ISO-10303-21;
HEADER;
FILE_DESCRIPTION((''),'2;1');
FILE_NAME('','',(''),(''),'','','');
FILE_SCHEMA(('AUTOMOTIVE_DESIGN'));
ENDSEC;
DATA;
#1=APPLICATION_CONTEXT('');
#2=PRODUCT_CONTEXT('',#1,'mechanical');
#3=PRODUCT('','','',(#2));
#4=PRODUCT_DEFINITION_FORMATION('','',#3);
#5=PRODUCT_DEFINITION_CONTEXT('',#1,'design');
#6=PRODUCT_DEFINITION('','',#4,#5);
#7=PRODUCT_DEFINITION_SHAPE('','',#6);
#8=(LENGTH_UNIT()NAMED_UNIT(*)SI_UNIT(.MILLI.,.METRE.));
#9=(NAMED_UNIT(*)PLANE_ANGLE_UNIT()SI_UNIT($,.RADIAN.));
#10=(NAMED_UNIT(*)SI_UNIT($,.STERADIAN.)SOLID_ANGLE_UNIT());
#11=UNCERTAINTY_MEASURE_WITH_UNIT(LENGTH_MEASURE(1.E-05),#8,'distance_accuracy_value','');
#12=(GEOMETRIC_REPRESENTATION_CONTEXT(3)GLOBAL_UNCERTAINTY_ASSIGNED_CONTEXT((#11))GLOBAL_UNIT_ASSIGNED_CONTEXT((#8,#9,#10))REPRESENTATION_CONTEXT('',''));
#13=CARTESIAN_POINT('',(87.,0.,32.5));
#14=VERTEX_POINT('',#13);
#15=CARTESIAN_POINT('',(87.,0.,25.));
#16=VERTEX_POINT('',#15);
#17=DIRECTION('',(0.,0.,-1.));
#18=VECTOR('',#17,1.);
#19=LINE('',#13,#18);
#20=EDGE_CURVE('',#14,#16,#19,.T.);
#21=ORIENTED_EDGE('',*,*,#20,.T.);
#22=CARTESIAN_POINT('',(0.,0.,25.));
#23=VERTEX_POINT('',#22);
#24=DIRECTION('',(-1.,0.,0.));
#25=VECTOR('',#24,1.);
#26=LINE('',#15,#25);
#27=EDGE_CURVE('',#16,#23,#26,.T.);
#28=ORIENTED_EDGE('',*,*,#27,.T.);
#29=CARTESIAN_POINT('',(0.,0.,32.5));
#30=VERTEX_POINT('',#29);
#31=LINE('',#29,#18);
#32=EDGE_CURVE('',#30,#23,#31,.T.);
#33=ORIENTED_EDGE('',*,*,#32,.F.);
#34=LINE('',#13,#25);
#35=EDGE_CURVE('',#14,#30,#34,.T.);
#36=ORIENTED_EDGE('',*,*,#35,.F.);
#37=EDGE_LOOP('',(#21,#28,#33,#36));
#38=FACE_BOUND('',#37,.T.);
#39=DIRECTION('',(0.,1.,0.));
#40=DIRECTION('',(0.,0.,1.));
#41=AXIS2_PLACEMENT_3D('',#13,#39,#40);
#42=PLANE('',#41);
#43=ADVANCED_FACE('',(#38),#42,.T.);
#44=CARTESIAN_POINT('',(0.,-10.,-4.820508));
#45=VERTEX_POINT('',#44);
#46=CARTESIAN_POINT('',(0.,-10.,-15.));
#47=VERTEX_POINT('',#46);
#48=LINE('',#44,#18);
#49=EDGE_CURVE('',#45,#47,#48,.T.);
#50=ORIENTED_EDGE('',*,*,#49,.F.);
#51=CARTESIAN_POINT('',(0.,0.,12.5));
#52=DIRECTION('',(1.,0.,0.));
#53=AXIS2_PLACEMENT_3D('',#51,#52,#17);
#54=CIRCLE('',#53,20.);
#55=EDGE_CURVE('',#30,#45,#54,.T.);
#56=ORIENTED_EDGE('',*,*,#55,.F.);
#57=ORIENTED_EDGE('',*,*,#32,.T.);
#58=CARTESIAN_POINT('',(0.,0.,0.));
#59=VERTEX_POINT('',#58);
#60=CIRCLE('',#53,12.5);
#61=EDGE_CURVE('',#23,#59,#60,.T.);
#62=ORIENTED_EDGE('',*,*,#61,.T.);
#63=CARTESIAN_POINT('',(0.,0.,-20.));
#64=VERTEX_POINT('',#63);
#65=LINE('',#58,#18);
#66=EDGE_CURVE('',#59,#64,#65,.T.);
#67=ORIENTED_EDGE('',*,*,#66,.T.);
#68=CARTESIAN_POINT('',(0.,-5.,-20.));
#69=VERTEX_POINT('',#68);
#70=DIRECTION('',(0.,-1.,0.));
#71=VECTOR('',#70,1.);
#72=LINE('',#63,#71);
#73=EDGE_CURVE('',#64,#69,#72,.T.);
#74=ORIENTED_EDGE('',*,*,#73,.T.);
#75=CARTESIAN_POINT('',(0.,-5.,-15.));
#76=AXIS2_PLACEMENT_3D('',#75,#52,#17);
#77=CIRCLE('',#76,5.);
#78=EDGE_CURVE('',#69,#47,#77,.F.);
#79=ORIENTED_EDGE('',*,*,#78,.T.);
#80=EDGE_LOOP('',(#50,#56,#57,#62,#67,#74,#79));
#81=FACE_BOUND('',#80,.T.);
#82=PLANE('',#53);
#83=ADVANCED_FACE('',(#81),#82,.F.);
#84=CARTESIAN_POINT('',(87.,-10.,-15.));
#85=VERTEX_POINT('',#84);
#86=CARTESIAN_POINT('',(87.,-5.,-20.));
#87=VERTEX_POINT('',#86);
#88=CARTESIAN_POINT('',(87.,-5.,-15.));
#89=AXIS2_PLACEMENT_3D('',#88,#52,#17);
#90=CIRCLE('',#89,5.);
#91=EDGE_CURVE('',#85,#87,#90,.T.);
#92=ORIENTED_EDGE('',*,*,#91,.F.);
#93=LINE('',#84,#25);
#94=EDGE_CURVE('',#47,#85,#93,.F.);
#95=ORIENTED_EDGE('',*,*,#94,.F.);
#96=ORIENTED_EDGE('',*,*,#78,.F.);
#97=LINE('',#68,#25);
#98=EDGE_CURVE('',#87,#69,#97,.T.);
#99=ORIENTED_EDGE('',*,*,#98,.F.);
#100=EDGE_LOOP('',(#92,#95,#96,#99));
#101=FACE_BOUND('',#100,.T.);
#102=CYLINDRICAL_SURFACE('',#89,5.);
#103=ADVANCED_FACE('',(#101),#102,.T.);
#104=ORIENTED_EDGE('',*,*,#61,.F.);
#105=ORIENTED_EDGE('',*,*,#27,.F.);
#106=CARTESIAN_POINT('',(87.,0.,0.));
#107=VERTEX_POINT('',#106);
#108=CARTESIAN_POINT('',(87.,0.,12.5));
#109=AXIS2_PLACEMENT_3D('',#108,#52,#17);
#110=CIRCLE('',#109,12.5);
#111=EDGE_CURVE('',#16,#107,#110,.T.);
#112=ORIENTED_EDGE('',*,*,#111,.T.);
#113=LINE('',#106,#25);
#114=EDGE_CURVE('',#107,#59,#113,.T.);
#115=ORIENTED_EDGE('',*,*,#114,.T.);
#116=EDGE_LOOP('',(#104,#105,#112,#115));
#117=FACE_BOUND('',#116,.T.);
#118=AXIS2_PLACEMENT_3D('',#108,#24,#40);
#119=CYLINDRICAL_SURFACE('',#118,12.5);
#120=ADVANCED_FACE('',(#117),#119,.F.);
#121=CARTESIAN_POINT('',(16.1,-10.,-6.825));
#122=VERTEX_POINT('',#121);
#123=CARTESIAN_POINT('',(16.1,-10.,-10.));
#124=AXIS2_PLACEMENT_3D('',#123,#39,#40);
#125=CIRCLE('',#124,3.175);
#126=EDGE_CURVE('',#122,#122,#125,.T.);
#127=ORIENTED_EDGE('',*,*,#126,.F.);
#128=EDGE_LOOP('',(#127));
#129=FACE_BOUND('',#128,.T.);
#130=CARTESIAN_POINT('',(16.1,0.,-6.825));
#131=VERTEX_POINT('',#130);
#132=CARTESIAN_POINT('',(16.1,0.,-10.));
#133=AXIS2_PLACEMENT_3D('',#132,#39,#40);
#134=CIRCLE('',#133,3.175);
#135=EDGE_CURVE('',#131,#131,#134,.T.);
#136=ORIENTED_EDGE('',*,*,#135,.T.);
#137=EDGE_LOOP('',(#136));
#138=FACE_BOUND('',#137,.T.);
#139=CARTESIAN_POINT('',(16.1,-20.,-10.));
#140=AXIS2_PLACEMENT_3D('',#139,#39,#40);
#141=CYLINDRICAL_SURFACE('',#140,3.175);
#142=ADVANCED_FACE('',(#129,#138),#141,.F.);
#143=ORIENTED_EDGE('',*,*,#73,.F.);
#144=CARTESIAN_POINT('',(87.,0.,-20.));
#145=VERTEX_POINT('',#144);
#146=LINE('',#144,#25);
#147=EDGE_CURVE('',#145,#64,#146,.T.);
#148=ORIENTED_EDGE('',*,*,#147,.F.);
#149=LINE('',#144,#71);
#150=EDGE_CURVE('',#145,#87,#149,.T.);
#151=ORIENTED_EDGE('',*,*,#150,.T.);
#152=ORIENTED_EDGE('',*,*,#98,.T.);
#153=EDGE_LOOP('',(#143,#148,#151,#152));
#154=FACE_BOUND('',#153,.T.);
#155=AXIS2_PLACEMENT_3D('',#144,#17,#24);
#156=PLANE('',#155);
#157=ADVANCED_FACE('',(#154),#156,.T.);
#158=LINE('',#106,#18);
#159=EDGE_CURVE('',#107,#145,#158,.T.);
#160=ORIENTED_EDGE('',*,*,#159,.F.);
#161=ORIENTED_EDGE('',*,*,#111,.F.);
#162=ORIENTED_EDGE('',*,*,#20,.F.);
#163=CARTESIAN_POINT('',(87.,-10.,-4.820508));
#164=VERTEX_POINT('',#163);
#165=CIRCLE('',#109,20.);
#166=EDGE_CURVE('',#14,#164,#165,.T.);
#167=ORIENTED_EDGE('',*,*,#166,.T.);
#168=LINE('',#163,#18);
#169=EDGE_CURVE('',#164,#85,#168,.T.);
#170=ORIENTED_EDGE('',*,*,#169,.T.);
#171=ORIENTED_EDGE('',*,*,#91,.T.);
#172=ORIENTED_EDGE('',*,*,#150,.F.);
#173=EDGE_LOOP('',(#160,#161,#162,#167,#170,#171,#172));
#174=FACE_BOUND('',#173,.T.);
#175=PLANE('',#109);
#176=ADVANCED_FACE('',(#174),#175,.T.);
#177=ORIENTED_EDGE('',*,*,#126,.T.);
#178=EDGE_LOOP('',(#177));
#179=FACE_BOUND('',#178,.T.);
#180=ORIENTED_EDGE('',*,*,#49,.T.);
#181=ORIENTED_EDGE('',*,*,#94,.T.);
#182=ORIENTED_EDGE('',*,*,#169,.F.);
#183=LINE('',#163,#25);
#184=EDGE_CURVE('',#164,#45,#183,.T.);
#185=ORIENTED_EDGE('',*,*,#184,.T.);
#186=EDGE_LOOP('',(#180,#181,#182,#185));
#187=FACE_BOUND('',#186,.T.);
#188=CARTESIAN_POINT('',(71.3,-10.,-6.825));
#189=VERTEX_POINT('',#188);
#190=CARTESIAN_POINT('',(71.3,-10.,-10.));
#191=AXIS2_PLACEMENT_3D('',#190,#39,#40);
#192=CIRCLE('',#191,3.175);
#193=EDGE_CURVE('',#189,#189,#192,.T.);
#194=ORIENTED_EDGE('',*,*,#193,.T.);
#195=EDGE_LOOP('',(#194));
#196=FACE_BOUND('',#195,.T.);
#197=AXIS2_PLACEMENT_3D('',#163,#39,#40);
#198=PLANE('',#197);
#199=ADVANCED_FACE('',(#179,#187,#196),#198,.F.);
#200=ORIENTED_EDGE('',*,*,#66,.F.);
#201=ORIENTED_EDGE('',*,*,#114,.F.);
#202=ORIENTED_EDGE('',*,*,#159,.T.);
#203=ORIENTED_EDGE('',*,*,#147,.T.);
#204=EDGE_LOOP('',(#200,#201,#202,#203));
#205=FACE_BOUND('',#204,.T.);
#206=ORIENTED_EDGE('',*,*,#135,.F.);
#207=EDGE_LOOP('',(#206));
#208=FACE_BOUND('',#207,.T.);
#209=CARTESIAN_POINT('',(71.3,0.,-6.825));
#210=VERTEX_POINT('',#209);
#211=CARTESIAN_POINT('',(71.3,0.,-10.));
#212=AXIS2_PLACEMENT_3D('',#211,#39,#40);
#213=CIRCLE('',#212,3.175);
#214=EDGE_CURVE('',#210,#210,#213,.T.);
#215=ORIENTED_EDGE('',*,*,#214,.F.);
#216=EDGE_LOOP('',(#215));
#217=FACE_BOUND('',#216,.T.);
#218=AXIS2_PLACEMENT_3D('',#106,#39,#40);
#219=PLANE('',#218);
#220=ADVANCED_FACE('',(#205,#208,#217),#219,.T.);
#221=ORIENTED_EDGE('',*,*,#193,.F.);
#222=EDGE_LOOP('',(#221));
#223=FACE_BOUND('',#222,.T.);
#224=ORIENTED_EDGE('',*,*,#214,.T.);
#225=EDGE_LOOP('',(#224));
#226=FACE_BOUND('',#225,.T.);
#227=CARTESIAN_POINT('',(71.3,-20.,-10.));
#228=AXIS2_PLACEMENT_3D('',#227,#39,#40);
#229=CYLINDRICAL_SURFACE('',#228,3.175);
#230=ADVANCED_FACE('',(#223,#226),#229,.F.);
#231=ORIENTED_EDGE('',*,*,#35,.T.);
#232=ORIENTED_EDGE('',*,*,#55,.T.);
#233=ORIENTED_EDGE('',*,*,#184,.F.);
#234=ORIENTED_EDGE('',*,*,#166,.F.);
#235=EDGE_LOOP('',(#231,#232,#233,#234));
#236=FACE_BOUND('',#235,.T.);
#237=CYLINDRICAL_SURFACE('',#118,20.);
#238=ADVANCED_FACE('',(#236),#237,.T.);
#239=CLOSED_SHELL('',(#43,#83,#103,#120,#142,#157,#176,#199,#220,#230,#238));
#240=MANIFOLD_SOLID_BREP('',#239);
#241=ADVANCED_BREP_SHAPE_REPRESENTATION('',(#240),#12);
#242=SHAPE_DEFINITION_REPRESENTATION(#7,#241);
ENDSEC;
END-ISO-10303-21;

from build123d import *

# Parameters (mm, degrees)
BOSS_EXTRUDE1_DEPTH = 87
SKETCH2_R           = 3.175
CUT_EXTRUDE1_DEPTH  = 21
FILLET1_R           = 5


with BuildPart() as part:
    # Sketch1 → Boss-Extrude1 (new body)
    with BuildSketch(Plane(origin=(0, 0, 0), x_dir=(0, 0, -1), z_dir=(1, 0, 0))):
        with BuildLine():
            Line((-32.5, 0), (-25, 0))
            ThreePointArc((-25, 0), (-12.5, -12.5), (0, 0))
            Line((0, 0), (20, 0))
            Line((20, 0), (20, -10))
            Line((20, -10), (4.820508076, -10))
            ThreePointArc((4.820508076, -10), (-17.676380902, -19.318516526), (-32.5, 0))
        make_face()
    extrude(amount=BOSS_EXTRUDE1_DEPTH)

    # Sketch2 → Cut-Extrude1 (cut, through all)
    with BuildSketch(Plane(origin=(0, 0, 0), x_dir=(1, 0, 0), z_dir=(0, 1, 0))):
        with Locations((71.3, 10)):
            Circle(SKETCH2_R)
        with Locations((16.1, 10)):
            Circle(SKETCH2_R)
    extrude(amount=-CUT_EXTRUDE1_DEPTH, mode=Mode.SUBTRACT)

    # Fillet1
    fillet1_edges = [part.edges().sort_by_distance(p)[0] for p in [
        (43.5, -10, -20),
    ]]
    fillet(fillet1_edges, radius=FILLET1_R)


solid = part.part
